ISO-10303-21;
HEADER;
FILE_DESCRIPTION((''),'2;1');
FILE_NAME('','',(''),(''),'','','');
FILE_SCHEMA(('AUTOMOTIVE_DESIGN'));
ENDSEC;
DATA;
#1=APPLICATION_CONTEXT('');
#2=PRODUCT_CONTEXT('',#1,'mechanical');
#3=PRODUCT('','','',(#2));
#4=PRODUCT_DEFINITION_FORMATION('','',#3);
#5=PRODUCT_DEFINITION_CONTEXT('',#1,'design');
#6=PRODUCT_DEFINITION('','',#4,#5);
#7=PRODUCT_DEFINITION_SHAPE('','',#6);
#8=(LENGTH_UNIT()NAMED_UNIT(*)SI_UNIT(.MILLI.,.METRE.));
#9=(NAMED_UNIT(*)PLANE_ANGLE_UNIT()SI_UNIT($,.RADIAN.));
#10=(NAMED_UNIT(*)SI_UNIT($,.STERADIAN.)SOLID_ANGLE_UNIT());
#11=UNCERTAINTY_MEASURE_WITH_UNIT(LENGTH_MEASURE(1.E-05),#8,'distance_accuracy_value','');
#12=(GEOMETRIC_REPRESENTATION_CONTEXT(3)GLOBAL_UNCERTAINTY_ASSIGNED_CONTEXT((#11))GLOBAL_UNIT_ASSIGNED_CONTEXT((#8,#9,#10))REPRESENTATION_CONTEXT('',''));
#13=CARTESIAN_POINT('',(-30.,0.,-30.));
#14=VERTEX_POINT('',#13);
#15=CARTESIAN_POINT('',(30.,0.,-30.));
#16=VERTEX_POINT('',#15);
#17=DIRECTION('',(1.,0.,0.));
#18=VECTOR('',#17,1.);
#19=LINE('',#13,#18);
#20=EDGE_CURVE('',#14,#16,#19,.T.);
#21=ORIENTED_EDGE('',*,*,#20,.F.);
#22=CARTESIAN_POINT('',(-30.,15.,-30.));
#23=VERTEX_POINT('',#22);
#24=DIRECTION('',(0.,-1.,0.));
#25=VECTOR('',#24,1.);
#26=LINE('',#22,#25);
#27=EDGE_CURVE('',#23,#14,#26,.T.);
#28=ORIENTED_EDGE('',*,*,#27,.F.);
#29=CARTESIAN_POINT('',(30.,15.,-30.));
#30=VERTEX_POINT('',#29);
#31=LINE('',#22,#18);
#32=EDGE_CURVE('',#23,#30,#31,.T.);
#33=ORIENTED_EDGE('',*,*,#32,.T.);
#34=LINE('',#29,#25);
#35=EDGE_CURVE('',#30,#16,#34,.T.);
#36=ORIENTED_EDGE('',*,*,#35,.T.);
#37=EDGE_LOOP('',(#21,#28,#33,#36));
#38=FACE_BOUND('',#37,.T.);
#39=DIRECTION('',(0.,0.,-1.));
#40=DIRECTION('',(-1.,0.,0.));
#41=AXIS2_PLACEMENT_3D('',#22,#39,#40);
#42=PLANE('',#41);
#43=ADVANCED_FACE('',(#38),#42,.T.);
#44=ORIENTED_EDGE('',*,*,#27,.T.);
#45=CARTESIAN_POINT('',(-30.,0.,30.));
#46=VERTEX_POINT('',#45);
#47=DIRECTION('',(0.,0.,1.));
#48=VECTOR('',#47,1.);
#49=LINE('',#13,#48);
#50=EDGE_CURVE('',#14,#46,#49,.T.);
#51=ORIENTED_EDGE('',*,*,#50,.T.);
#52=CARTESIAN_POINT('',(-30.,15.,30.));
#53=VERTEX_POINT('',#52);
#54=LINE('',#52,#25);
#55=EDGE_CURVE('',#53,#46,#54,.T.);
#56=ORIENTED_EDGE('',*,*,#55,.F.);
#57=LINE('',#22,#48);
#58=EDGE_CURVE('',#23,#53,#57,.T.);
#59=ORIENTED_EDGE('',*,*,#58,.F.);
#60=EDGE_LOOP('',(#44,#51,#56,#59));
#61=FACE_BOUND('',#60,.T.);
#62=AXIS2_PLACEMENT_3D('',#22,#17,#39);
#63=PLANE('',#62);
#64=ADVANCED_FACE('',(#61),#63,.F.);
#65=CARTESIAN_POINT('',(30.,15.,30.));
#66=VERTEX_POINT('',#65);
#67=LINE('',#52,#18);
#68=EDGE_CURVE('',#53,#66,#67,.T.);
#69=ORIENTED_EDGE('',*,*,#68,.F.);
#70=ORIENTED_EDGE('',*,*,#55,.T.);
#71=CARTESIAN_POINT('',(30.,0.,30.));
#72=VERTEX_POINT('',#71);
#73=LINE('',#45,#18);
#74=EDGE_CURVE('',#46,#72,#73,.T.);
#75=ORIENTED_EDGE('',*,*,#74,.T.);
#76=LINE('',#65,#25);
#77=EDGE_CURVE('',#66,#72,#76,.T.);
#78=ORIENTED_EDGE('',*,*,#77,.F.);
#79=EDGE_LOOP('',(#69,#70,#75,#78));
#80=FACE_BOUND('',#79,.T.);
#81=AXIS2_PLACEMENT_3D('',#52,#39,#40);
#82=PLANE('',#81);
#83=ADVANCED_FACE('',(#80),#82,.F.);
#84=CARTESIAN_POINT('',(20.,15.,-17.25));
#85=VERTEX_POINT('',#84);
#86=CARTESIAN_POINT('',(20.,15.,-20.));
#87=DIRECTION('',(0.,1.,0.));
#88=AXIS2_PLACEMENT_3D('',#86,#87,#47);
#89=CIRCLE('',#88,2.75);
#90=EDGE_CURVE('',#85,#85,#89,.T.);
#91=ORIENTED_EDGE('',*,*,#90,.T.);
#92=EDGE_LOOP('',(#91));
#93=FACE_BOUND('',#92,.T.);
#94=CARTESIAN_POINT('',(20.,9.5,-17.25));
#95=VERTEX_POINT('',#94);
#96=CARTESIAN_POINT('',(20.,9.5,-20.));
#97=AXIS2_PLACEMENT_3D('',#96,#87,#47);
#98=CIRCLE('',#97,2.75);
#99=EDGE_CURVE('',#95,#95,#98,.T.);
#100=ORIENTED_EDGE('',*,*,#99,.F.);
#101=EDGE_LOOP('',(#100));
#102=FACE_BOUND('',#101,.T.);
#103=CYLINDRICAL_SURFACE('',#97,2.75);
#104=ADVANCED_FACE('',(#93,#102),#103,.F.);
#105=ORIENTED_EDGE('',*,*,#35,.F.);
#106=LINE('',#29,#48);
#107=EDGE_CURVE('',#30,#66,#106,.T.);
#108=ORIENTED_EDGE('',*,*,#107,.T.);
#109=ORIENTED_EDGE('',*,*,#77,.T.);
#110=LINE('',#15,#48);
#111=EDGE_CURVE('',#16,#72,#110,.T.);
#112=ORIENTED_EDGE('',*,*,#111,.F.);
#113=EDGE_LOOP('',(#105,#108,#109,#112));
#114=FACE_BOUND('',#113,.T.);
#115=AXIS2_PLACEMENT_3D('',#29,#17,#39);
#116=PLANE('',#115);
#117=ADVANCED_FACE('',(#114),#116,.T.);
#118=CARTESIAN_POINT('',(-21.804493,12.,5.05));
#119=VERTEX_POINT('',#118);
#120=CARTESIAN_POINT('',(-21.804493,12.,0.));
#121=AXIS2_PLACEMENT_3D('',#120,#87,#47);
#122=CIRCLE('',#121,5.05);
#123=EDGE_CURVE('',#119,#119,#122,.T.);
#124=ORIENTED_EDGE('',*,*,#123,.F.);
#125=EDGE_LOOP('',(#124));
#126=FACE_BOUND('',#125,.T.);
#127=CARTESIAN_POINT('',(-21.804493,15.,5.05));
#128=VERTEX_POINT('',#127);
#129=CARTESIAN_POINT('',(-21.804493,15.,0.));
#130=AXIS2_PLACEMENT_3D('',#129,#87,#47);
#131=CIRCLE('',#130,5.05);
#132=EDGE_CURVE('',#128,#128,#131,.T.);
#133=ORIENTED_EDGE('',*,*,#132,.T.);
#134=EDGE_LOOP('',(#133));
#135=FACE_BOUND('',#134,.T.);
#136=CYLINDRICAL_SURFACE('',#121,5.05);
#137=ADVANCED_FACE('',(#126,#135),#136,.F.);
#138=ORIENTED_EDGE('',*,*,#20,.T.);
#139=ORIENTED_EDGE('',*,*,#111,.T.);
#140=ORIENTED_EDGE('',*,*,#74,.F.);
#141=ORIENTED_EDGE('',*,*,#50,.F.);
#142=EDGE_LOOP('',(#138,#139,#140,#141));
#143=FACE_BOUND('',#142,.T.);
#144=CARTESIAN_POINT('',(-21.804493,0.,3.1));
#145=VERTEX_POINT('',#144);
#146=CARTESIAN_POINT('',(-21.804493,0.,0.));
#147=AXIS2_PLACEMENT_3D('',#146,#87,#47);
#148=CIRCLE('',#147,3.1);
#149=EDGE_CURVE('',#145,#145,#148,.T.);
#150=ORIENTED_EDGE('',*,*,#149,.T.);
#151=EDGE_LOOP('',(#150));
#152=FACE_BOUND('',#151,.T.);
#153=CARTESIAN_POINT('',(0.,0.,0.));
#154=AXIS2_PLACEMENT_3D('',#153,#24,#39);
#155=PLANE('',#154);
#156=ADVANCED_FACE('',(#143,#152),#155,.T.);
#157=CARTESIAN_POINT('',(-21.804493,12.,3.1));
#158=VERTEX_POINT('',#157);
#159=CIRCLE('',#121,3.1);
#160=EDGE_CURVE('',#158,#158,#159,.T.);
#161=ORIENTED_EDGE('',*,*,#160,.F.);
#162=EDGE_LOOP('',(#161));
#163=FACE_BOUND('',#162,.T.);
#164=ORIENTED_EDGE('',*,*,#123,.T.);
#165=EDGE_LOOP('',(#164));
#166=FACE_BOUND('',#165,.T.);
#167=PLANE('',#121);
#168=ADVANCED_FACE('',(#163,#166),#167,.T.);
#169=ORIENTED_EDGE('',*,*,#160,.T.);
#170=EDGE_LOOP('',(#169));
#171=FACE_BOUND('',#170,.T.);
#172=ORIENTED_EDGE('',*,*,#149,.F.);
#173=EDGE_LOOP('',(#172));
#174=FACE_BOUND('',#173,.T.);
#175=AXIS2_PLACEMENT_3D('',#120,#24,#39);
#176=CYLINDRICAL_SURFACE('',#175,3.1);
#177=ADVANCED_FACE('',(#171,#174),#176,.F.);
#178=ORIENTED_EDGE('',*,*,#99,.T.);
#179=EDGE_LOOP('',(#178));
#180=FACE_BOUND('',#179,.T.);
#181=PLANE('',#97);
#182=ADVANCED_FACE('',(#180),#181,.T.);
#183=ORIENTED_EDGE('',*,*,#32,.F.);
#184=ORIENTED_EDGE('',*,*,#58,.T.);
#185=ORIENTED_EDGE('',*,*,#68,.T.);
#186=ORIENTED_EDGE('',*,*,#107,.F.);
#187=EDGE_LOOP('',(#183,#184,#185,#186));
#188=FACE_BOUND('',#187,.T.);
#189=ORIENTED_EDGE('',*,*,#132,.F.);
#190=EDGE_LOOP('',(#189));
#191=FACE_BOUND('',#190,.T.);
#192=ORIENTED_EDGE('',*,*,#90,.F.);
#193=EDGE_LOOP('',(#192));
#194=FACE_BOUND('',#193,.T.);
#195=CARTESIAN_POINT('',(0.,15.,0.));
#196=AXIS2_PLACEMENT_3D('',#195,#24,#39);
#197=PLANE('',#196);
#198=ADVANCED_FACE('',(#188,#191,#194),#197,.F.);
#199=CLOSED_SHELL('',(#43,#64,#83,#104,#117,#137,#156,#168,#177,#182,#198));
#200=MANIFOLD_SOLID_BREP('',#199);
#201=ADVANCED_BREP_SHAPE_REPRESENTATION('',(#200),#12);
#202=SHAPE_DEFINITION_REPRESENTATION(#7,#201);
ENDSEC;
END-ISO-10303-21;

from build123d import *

# Parameters (mm, degrees)
SKETCH2_W           = 60
SKETCH2_H           = 60
BOSS_EXTRUDE1_DEPTH = 15
SKETCH3_R           = 5.05
CUT_EXTRUDE3_DEPTH  = 3
SKETCH5_R           = 3.1
CUT_EXTRUDE4_DEPTH  = 12
SKETCH6_R           = 2.75
CUT_EXTRUDE5_DEPTH  = 5.5


with BuildPart() as part:
    # Sketch2 → Boss-Extrude1 (new body)
    with BuildSketch(Plane(origin=(0, 0, 0), x_dir=(1, 0, 0), z_dir=(0, 1, 0))):
        Rectangle(SKETCH2_W, SKETCH2_H)
    extrude(amount=BOSS_EXTRUDE1_DEPTH)

    # Sketch3 → Cut-Extrude3 (cut)
    with BuildSketch(Plane(origin=(0, 15, 0), x_dir=(1, 0, 0), z_dir=(0, 1, 0))):
        with Locations(Location((-21.804493365, 0, 0), (0, 0, 270))):
            Circle(SKETCH3_R)
    extrude(amount=-CUT_EXTRUDE3_DEPTH, mode=Mode.SUBTRACT)

    # Sketch5 → Cut-Extrude4 (cut)
    with BuildSketch(Plane(origin=(0, 0, 0), x_dir=(1, 0, 0), z_dir=(0, 1, 0))):
        with Locations(Location((-21.804493365, 0, 0), (0, 0, 270))):
            Circle(SKETCH5_R)
    extrude(amount=CUT_EXTRUDE4_DEPTH, mode=Mode.SUBTRACT)

    # Sketch6 → Cut-Extrude5 (cut)
    with BuildSketch(Plane(origin=(0, 15, 0), x_dir=(1, 0, 0), z_dir=(0, 1, 0))):
        with Locations(Location((20, 20, 0), (0, 0, 270))):
            Circle(SKETCH6_R)
    extrude(amount=-CUT_EXTRUDE5_DEPTH, mode=Mode.SUBTRACT)


solid = part.part
